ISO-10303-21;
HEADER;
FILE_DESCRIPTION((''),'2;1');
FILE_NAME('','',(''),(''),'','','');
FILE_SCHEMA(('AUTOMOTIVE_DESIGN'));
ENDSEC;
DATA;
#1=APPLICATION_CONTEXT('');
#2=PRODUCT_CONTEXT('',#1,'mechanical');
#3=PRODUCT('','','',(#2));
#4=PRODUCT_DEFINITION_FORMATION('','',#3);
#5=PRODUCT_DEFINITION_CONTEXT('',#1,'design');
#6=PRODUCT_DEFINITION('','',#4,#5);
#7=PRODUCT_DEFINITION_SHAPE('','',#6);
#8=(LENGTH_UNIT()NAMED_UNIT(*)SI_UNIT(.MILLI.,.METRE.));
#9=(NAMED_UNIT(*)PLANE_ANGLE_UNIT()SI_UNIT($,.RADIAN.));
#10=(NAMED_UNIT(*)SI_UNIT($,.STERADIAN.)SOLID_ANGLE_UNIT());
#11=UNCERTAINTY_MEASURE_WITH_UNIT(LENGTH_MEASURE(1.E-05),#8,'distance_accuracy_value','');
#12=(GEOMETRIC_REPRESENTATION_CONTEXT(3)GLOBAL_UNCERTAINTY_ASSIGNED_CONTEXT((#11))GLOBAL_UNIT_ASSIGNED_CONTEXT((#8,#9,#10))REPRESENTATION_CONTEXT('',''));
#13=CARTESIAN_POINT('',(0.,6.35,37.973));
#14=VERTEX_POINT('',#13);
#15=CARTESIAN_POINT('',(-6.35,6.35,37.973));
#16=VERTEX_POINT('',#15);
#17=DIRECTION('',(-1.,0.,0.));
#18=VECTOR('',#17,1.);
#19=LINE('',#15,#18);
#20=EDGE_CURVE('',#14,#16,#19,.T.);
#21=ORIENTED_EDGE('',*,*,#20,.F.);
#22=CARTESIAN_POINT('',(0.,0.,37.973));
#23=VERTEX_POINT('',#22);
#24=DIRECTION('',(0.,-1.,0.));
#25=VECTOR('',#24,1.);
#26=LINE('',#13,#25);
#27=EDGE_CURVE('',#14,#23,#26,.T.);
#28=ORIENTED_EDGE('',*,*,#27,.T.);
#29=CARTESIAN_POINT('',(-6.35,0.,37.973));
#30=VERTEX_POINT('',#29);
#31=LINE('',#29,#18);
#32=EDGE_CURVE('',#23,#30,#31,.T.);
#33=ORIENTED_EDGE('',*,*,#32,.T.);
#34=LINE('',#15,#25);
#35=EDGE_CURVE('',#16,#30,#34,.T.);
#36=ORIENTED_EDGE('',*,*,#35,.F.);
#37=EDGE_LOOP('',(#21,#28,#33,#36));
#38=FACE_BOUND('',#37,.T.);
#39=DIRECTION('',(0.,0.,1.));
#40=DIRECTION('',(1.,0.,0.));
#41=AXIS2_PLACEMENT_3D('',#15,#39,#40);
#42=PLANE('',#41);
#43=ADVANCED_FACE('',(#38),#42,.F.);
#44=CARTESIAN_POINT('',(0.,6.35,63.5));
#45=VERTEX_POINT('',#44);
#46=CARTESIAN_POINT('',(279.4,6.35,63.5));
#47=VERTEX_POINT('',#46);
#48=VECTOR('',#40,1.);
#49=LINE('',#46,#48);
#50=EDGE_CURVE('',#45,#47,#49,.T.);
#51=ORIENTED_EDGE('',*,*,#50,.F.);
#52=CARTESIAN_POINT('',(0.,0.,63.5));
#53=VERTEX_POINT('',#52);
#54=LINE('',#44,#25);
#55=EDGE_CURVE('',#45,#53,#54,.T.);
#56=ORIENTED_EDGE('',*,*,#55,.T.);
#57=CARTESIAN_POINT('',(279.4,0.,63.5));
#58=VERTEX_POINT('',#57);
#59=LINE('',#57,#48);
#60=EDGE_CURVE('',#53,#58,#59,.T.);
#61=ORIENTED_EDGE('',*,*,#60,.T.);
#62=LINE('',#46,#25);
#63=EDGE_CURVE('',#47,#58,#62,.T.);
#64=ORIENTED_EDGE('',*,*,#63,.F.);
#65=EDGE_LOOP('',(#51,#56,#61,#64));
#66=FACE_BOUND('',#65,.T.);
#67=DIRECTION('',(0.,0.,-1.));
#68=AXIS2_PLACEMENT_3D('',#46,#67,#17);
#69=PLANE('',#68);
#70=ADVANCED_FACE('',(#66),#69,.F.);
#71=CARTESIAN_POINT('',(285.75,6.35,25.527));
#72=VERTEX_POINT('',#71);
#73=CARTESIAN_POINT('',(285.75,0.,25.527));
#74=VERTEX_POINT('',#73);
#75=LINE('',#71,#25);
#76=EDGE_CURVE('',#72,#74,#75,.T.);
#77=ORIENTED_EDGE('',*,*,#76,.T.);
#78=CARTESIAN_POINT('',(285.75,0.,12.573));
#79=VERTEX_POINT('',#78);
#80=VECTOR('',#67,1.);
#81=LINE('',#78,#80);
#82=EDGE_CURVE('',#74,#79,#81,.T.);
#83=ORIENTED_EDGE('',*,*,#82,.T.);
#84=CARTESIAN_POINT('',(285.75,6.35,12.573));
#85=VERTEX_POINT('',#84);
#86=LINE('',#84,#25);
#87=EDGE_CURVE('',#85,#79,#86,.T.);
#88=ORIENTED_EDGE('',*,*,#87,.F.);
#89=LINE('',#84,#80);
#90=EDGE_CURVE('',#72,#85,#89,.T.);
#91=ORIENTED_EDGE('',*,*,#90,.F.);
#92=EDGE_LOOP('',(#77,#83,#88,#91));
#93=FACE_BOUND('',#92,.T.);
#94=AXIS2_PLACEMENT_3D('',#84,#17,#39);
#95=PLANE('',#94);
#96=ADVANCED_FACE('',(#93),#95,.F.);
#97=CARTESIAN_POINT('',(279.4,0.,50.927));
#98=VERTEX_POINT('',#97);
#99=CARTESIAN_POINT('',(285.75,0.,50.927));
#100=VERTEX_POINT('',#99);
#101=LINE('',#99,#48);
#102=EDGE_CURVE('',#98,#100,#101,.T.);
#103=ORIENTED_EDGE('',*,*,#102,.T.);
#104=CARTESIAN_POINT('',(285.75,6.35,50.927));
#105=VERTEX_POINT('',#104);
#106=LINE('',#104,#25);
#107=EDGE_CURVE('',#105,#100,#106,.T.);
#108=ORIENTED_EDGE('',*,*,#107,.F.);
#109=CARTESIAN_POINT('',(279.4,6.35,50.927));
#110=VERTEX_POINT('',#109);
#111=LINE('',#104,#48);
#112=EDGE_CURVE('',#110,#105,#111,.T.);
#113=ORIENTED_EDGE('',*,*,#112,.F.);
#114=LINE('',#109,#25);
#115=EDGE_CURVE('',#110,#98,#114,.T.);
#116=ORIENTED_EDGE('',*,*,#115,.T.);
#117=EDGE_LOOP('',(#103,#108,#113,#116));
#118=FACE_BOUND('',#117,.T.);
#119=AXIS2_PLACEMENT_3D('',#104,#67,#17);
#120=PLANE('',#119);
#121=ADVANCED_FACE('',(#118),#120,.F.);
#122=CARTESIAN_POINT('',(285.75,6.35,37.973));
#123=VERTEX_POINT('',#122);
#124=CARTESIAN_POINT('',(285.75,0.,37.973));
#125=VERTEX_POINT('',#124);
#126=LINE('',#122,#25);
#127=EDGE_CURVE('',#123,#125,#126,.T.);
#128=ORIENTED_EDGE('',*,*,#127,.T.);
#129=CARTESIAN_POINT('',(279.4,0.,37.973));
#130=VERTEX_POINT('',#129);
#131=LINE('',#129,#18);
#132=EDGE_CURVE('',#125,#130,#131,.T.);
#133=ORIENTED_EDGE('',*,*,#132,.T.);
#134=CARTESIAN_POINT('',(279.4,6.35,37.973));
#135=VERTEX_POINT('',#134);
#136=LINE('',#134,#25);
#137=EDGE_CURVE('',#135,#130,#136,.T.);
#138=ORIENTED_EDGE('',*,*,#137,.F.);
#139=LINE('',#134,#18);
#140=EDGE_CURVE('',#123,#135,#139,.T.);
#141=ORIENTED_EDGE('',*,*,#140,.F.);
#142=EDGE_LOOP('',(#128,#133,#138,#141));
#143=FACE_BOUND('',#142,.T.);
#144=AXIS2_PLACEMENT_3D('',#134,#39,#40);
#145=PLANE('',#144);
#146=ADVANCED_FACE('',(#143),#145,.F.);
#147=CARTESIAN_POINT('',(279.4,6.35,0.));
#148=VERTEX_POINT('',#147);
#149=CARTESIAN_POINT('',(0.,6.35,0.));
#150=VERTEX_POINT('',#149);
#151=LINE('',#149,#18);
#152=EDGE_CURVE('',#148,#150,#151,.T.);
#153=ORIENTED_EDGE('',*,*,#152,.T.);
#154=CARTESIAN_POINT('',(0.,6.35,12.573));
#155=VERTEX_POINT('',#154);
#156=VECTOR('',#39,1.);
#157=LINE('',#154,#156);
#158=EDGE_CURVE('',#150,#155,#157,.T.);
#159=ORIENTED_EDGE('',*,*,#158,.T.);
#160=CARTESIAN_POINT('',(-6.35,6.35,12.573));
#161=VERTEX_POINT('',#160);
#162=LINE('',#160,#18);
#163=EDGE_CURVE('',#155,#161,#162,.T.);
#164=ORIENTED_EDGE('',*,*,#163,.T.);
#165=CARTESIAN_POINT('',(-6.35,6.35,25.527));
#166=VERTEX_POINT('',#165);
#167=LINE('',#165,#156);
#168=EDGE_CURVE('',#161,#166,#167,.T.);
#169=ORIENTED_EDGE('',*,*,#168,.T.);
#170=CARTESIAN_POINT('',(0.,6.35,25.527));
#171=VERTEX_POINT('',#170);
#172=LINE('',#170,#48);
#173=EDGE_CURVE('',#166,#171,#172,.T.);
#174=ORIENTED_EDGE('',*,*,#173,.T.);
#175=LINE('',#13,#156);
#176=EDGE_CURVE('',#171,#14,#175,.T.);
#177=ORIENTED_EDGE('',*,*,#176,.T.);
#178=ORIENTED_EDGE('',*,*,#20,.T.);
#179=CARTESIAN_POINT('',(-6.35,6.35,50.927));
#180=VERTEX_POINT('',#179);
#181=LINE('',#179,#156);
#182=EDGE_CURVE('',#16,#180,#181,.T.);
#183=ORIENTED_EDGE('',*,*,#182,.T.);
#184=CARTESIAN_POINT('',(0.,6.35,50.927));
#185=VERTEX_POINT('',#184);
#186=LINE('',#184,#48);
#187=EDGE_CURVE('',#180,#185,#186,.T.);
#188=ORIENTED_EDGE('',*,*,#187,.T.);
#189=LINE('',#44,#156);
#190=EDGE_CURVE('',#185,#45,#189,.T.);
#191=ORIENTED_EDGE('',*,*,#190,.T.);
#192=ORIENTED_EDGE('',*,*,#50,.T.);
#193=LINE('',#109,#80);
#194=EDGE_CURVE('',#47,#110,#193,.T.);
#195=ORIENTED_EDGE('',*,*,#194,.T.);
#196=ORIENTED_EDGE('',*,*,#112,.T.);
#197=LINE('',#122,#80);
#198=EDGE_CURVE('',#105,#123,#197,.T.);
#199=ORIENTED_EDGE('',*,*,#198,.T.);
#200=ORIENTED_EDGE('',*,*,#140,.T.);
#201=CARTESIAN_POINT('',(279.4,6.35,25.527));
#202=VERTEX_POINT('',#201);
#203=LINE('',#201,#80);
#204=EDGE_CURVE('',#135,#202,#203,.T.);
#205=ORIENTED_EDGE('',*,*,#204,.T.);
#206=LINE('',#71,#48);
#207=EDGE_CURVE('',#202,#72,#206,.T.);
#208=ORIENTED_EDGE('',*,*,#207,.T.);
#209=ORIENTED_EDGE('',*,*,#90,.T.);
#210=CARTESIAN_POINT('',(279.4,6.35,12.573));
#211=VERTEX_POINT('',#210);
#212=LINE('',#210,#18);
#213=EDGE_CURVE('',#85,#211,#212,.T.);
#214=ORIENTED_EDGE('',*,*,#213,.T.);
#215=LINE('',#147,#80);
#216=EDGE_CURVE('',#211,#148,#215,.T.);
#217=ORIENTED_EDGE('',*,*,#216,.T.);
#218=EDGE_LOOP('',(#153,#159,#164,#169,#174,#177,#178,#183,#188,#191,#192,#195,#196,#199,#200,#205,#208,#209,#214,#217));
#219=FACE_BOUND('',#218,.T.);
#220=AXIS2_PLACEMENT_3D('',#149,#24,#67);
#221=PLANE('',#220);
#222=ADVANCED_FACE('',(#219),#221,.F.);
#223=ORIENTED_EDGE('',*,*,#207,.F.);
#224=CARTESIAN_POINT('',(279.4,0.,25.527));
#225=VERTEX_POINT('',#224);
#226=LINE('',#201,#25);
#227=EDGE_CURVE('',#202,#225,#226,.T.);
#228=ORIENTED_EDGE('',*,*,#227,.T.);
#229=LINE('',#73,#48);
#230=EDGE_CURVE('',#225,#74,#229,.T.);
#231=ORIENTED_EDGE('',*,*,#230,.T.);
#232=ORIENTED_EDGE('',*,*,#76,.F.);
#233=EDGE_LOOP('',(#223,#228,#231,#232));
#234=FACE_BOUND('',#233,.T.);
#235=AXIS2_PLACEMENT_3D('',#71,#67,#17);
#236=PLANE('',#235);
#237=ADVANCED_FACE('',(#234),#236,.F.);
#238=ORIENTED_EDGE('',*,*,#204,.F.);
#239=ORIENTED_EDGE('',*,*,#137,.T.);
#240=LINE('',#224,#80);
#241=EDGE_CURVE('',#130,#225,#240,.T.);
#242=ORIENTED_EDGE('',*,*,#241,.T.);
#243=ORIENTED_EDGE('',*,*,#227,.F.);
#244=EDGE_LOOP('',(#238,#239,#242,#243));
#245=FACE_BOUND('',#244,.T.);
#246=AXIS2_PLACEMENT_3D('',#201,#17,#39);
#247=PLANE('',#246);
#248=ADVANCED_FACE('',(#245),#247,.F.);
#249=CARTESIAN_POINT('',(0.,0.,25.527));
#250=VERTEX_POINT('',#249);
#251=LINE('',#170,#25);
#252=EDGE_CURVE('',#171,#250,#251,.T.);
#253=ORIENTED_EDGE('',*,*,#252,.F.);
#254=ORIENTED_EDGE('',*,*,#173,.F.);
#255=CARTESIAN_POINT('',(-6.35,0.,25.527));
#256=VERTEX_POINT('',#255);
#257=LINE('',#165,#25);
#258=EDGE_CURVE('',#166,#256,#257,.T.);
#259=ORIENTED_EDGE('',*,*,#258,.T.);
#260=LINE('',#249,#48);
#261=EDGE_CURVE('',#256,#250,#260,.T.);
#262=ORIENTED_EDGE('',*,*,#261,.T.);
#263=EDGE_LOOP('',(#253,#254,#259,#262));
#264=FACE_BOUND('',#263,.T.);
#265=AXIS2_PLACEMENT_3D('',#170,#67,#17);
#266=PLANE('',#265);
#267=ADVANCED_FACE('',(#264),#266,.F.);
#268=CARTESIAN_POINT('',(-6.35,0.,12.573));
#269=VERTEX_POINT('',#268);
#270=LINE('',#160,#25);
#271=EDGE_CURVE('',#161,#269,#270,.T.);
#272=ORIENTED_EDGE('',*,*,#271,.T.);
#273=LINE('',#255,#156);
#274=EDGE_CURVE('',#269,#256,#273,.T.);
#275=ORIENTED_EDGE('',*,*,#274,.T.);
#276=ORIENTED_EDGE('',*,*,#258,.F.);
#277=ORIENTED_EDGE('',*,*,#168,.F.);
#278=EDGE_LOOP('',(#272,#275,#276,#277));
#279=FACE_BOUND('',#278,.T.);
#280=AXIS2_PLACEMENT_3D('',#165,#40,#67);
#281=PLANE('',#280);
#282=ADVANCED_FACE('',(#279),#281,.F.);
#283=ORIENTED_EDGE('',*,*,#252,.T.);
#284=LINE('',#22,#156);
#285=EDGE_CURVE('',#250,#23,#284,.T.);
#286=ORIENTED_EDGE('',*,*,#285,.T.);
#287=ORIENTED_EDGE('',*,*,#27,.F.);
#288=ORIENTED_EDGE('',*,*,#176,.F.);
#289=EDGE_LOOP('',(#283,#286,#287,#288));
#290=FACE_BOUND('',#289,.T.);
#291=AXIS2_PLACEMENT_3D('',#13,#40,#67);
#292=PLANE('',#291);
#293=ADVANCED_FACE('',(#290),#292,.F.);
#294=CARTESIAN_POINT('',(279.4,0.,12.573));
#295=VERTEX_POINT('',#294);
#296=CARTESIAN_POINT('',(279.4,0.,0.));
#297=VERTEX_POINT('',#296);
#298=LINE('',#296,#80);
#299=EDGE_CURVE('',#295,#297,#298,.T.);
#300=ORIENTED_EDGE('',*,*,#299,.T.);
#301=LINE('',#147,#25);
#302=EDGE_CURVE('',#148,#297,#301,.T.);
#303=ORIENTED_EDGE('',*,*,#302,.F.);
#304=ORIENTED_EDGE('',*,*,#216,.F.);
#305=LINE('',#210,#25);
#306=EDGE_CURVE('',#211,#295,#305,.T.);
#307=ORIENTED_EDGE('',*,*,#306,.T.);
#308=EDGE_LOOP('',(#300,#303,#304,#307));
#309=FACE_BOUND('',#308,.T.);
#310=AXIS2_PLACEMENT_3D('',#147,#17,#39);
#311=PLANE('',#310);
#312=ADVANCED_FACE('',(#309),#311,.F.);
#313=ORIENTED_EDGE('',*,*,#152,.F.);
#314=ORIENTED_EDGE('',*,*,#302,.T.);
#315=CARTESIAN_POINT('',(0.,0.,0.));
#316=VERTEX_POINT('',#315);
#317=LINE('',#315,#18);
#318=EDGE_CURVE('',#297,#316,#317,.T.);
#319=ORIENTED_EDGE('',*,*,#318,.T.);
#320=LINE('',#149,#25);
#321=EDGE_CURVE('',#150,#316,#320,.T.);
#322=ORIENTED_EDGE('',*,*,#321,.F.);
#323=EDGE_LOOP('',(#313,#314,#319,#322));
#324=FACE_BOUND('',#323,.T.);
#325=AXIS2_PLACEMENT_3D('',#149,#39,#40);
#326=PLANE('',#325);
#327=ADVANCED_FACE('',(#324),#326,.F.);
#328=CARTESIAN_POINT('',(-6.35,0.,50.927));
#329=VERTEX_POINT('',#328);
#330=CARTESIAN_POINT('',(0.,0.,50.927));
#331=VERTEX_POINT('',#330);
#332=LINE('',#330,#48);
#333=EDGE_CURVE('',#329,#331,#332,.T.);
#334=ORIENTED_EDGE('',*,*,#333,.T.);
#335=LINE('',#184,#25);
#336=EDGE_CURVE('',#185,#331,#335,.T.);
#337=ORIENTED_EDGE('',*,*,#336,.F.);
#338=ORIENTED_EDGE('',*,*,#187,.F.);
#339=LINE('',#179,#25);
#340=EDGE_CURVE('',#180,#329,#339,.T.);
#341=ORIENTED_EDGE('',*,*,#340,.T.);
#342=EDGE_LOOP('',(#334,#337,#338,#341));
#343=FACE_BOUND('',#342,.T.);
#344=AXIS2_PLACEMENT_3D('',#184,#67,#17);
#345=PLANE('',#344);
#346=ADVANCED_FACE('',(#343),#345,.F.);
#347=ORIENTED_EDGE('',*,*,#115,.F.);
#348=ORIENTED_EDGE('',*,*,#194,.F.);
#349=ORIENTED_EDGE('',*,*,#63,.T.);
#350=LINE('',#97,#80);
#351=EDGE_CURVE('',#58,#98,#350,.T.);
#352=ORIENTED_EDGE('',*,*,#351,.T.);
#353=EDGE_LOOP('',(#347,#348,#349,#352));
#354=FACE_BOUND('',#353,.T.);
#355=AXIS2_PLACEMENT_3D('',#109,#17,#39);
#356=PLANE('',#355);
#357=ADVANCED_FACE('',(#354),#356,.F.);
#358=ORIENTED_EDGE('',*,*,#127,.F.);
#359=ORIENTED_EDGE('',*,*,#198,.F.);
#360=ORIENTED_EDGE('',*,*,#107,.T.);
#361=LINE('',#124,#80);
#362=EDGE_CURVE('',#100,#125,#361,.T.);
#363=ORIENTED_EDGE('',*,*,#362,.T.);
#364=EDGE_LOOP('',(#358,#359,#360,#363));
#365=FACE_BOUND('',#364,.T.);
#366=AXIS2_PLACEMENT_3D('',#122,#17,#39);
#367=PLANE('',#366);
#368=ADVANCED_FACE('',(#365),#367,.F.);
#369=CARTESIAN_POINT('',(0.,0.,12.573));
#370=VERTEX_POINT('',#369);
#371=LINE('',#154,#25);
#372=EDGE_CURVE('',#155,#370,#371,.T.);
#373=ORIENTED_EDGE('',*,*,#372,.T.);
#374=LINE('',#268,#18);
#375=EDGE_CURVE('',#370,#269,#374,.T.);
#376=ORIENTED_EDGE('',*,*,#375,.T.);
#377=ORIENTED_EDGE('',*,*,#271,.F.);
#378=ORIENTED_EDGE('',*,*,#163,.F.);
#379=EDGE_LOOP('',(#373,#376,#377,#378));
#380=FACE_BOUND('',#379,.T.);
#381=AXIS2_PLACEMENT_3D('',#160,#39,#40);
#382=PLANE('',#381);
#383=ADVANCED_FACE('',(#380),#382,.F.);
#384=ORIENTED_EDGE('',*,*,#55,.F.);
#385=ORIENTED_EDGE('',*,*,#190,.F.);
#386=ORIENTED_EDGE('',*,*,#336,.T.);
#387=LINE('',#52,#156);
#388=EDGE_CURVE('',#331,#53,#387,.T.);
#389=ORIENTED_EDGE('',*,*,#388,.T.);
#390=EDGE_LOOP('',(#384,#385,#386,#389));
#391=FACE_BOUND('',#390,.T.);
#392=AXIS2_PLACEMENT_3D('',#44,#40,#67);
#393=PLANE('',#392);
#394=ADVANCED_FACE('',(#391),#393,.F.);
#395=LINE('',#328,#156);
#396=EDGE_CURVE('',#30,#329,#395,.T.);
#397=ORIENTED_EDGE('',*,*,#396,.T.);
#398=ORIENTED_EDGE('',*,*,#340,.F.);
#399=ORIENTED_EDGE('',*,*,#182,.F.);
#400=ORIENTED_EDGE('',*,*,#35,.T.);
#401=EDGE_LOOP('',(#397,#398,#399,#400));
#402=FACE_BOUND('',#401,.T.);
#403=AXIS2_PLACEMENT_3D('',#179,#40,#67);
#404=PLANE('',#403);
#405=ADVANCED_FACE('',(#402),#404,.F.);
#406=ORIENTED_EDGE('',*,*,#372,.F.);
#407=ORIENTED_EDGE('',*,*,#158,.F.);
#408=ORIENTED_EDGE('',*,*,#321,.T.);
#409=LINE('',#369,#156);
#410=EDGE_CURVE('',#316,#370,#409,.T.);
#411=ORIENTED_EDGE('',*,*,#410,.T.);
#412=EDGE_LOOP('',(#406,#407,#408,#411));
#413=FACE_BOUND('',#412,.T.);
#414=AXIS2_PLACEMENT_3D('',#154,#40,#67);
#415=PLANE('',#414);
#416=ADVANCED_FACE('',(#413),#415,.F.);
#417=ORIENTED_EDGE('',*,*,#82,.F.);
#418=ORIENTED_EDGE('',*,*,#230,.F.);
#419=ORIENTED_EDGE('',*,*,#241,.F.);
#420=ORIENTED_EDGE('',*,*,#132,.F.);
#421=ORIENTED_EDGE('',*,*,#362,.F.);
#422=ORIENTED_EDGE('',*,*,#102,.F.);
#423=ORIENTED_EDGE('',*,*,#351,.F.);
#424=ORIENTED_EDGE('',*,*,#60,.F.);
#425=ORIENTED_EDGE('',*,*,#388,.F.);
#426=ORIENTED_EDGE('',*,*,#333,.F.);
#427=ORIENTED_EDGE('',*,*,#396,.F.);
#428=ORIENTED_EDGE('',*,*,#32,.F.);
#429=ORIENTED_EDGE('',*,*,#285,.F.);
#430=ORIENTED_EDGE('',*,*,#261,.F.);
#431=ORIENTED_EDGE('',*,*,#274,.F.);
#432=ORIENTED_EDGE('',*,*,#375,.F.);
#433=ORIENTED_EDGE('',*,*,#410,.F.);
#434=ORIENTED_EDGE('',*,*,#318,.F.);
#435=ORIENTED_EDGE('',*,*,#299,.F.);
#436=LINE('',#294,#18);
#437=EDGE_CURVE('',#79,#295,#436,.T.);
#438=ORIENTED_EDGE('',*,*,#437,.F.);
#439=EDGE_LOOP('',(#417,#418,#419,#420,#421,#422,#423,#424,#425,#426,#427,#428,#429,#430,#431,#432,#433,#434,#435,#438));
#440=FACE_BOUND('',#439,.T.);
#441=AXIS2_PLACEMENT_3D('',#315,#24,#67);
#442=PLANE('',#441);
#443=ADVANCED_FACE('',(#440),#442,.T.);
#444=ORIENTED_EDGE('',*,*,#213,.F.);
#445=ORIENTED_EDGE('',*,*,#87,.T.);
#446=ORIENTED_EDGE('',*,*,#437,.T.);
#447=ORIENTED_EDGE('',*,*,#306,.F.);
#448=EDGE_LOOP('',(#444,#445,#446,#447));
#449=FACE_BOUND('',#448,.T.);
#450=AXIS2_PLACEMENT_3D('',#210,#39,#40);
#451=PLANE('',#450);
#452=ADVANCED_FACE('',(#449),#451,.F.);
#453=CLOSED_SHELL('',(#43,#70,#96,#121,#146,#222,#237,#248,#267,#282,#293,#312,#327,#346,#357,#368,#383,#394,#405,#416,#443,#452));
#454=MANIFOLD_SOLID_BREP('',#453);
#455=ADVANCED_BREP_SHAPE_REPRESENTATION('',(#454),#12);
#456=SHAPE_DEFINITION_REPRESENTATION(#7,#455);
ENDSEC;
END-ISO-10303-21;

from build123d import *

# Parameters (mm, degrees)
BOSS_EXTRUDE1_DEPTH = 6.35


with BuildPart() as part:
    # Sketch1 → Boss-Extrude1 (new body)
    with BuildSketch(Plane(origin=(0, 0, 0), x_dir=(1, 0, 0), z_dir=(0, 1, 0))):
        Polygon((0, 0), (279.4, 0), (279.4, -12.573), (285.75, -12.573), (285.75, -25.527), (279.4, -25.527), (279.4, -37.973), (285.75, -37.973), (285.75, -50.927), (279.4, -50.927), (279.4, -63.5), (0, -63.5), (0, -50.927), (-6.35, -50.927), (-6.35, -37.973), (0, -37.973), (0, -25.527), (-6.35, -25.527), (-6.35, -12.573), (0, -12.573), align=None)
    extrude(amount=BOSS_EXTRUDE1_DEPTH)


solid = part.part
